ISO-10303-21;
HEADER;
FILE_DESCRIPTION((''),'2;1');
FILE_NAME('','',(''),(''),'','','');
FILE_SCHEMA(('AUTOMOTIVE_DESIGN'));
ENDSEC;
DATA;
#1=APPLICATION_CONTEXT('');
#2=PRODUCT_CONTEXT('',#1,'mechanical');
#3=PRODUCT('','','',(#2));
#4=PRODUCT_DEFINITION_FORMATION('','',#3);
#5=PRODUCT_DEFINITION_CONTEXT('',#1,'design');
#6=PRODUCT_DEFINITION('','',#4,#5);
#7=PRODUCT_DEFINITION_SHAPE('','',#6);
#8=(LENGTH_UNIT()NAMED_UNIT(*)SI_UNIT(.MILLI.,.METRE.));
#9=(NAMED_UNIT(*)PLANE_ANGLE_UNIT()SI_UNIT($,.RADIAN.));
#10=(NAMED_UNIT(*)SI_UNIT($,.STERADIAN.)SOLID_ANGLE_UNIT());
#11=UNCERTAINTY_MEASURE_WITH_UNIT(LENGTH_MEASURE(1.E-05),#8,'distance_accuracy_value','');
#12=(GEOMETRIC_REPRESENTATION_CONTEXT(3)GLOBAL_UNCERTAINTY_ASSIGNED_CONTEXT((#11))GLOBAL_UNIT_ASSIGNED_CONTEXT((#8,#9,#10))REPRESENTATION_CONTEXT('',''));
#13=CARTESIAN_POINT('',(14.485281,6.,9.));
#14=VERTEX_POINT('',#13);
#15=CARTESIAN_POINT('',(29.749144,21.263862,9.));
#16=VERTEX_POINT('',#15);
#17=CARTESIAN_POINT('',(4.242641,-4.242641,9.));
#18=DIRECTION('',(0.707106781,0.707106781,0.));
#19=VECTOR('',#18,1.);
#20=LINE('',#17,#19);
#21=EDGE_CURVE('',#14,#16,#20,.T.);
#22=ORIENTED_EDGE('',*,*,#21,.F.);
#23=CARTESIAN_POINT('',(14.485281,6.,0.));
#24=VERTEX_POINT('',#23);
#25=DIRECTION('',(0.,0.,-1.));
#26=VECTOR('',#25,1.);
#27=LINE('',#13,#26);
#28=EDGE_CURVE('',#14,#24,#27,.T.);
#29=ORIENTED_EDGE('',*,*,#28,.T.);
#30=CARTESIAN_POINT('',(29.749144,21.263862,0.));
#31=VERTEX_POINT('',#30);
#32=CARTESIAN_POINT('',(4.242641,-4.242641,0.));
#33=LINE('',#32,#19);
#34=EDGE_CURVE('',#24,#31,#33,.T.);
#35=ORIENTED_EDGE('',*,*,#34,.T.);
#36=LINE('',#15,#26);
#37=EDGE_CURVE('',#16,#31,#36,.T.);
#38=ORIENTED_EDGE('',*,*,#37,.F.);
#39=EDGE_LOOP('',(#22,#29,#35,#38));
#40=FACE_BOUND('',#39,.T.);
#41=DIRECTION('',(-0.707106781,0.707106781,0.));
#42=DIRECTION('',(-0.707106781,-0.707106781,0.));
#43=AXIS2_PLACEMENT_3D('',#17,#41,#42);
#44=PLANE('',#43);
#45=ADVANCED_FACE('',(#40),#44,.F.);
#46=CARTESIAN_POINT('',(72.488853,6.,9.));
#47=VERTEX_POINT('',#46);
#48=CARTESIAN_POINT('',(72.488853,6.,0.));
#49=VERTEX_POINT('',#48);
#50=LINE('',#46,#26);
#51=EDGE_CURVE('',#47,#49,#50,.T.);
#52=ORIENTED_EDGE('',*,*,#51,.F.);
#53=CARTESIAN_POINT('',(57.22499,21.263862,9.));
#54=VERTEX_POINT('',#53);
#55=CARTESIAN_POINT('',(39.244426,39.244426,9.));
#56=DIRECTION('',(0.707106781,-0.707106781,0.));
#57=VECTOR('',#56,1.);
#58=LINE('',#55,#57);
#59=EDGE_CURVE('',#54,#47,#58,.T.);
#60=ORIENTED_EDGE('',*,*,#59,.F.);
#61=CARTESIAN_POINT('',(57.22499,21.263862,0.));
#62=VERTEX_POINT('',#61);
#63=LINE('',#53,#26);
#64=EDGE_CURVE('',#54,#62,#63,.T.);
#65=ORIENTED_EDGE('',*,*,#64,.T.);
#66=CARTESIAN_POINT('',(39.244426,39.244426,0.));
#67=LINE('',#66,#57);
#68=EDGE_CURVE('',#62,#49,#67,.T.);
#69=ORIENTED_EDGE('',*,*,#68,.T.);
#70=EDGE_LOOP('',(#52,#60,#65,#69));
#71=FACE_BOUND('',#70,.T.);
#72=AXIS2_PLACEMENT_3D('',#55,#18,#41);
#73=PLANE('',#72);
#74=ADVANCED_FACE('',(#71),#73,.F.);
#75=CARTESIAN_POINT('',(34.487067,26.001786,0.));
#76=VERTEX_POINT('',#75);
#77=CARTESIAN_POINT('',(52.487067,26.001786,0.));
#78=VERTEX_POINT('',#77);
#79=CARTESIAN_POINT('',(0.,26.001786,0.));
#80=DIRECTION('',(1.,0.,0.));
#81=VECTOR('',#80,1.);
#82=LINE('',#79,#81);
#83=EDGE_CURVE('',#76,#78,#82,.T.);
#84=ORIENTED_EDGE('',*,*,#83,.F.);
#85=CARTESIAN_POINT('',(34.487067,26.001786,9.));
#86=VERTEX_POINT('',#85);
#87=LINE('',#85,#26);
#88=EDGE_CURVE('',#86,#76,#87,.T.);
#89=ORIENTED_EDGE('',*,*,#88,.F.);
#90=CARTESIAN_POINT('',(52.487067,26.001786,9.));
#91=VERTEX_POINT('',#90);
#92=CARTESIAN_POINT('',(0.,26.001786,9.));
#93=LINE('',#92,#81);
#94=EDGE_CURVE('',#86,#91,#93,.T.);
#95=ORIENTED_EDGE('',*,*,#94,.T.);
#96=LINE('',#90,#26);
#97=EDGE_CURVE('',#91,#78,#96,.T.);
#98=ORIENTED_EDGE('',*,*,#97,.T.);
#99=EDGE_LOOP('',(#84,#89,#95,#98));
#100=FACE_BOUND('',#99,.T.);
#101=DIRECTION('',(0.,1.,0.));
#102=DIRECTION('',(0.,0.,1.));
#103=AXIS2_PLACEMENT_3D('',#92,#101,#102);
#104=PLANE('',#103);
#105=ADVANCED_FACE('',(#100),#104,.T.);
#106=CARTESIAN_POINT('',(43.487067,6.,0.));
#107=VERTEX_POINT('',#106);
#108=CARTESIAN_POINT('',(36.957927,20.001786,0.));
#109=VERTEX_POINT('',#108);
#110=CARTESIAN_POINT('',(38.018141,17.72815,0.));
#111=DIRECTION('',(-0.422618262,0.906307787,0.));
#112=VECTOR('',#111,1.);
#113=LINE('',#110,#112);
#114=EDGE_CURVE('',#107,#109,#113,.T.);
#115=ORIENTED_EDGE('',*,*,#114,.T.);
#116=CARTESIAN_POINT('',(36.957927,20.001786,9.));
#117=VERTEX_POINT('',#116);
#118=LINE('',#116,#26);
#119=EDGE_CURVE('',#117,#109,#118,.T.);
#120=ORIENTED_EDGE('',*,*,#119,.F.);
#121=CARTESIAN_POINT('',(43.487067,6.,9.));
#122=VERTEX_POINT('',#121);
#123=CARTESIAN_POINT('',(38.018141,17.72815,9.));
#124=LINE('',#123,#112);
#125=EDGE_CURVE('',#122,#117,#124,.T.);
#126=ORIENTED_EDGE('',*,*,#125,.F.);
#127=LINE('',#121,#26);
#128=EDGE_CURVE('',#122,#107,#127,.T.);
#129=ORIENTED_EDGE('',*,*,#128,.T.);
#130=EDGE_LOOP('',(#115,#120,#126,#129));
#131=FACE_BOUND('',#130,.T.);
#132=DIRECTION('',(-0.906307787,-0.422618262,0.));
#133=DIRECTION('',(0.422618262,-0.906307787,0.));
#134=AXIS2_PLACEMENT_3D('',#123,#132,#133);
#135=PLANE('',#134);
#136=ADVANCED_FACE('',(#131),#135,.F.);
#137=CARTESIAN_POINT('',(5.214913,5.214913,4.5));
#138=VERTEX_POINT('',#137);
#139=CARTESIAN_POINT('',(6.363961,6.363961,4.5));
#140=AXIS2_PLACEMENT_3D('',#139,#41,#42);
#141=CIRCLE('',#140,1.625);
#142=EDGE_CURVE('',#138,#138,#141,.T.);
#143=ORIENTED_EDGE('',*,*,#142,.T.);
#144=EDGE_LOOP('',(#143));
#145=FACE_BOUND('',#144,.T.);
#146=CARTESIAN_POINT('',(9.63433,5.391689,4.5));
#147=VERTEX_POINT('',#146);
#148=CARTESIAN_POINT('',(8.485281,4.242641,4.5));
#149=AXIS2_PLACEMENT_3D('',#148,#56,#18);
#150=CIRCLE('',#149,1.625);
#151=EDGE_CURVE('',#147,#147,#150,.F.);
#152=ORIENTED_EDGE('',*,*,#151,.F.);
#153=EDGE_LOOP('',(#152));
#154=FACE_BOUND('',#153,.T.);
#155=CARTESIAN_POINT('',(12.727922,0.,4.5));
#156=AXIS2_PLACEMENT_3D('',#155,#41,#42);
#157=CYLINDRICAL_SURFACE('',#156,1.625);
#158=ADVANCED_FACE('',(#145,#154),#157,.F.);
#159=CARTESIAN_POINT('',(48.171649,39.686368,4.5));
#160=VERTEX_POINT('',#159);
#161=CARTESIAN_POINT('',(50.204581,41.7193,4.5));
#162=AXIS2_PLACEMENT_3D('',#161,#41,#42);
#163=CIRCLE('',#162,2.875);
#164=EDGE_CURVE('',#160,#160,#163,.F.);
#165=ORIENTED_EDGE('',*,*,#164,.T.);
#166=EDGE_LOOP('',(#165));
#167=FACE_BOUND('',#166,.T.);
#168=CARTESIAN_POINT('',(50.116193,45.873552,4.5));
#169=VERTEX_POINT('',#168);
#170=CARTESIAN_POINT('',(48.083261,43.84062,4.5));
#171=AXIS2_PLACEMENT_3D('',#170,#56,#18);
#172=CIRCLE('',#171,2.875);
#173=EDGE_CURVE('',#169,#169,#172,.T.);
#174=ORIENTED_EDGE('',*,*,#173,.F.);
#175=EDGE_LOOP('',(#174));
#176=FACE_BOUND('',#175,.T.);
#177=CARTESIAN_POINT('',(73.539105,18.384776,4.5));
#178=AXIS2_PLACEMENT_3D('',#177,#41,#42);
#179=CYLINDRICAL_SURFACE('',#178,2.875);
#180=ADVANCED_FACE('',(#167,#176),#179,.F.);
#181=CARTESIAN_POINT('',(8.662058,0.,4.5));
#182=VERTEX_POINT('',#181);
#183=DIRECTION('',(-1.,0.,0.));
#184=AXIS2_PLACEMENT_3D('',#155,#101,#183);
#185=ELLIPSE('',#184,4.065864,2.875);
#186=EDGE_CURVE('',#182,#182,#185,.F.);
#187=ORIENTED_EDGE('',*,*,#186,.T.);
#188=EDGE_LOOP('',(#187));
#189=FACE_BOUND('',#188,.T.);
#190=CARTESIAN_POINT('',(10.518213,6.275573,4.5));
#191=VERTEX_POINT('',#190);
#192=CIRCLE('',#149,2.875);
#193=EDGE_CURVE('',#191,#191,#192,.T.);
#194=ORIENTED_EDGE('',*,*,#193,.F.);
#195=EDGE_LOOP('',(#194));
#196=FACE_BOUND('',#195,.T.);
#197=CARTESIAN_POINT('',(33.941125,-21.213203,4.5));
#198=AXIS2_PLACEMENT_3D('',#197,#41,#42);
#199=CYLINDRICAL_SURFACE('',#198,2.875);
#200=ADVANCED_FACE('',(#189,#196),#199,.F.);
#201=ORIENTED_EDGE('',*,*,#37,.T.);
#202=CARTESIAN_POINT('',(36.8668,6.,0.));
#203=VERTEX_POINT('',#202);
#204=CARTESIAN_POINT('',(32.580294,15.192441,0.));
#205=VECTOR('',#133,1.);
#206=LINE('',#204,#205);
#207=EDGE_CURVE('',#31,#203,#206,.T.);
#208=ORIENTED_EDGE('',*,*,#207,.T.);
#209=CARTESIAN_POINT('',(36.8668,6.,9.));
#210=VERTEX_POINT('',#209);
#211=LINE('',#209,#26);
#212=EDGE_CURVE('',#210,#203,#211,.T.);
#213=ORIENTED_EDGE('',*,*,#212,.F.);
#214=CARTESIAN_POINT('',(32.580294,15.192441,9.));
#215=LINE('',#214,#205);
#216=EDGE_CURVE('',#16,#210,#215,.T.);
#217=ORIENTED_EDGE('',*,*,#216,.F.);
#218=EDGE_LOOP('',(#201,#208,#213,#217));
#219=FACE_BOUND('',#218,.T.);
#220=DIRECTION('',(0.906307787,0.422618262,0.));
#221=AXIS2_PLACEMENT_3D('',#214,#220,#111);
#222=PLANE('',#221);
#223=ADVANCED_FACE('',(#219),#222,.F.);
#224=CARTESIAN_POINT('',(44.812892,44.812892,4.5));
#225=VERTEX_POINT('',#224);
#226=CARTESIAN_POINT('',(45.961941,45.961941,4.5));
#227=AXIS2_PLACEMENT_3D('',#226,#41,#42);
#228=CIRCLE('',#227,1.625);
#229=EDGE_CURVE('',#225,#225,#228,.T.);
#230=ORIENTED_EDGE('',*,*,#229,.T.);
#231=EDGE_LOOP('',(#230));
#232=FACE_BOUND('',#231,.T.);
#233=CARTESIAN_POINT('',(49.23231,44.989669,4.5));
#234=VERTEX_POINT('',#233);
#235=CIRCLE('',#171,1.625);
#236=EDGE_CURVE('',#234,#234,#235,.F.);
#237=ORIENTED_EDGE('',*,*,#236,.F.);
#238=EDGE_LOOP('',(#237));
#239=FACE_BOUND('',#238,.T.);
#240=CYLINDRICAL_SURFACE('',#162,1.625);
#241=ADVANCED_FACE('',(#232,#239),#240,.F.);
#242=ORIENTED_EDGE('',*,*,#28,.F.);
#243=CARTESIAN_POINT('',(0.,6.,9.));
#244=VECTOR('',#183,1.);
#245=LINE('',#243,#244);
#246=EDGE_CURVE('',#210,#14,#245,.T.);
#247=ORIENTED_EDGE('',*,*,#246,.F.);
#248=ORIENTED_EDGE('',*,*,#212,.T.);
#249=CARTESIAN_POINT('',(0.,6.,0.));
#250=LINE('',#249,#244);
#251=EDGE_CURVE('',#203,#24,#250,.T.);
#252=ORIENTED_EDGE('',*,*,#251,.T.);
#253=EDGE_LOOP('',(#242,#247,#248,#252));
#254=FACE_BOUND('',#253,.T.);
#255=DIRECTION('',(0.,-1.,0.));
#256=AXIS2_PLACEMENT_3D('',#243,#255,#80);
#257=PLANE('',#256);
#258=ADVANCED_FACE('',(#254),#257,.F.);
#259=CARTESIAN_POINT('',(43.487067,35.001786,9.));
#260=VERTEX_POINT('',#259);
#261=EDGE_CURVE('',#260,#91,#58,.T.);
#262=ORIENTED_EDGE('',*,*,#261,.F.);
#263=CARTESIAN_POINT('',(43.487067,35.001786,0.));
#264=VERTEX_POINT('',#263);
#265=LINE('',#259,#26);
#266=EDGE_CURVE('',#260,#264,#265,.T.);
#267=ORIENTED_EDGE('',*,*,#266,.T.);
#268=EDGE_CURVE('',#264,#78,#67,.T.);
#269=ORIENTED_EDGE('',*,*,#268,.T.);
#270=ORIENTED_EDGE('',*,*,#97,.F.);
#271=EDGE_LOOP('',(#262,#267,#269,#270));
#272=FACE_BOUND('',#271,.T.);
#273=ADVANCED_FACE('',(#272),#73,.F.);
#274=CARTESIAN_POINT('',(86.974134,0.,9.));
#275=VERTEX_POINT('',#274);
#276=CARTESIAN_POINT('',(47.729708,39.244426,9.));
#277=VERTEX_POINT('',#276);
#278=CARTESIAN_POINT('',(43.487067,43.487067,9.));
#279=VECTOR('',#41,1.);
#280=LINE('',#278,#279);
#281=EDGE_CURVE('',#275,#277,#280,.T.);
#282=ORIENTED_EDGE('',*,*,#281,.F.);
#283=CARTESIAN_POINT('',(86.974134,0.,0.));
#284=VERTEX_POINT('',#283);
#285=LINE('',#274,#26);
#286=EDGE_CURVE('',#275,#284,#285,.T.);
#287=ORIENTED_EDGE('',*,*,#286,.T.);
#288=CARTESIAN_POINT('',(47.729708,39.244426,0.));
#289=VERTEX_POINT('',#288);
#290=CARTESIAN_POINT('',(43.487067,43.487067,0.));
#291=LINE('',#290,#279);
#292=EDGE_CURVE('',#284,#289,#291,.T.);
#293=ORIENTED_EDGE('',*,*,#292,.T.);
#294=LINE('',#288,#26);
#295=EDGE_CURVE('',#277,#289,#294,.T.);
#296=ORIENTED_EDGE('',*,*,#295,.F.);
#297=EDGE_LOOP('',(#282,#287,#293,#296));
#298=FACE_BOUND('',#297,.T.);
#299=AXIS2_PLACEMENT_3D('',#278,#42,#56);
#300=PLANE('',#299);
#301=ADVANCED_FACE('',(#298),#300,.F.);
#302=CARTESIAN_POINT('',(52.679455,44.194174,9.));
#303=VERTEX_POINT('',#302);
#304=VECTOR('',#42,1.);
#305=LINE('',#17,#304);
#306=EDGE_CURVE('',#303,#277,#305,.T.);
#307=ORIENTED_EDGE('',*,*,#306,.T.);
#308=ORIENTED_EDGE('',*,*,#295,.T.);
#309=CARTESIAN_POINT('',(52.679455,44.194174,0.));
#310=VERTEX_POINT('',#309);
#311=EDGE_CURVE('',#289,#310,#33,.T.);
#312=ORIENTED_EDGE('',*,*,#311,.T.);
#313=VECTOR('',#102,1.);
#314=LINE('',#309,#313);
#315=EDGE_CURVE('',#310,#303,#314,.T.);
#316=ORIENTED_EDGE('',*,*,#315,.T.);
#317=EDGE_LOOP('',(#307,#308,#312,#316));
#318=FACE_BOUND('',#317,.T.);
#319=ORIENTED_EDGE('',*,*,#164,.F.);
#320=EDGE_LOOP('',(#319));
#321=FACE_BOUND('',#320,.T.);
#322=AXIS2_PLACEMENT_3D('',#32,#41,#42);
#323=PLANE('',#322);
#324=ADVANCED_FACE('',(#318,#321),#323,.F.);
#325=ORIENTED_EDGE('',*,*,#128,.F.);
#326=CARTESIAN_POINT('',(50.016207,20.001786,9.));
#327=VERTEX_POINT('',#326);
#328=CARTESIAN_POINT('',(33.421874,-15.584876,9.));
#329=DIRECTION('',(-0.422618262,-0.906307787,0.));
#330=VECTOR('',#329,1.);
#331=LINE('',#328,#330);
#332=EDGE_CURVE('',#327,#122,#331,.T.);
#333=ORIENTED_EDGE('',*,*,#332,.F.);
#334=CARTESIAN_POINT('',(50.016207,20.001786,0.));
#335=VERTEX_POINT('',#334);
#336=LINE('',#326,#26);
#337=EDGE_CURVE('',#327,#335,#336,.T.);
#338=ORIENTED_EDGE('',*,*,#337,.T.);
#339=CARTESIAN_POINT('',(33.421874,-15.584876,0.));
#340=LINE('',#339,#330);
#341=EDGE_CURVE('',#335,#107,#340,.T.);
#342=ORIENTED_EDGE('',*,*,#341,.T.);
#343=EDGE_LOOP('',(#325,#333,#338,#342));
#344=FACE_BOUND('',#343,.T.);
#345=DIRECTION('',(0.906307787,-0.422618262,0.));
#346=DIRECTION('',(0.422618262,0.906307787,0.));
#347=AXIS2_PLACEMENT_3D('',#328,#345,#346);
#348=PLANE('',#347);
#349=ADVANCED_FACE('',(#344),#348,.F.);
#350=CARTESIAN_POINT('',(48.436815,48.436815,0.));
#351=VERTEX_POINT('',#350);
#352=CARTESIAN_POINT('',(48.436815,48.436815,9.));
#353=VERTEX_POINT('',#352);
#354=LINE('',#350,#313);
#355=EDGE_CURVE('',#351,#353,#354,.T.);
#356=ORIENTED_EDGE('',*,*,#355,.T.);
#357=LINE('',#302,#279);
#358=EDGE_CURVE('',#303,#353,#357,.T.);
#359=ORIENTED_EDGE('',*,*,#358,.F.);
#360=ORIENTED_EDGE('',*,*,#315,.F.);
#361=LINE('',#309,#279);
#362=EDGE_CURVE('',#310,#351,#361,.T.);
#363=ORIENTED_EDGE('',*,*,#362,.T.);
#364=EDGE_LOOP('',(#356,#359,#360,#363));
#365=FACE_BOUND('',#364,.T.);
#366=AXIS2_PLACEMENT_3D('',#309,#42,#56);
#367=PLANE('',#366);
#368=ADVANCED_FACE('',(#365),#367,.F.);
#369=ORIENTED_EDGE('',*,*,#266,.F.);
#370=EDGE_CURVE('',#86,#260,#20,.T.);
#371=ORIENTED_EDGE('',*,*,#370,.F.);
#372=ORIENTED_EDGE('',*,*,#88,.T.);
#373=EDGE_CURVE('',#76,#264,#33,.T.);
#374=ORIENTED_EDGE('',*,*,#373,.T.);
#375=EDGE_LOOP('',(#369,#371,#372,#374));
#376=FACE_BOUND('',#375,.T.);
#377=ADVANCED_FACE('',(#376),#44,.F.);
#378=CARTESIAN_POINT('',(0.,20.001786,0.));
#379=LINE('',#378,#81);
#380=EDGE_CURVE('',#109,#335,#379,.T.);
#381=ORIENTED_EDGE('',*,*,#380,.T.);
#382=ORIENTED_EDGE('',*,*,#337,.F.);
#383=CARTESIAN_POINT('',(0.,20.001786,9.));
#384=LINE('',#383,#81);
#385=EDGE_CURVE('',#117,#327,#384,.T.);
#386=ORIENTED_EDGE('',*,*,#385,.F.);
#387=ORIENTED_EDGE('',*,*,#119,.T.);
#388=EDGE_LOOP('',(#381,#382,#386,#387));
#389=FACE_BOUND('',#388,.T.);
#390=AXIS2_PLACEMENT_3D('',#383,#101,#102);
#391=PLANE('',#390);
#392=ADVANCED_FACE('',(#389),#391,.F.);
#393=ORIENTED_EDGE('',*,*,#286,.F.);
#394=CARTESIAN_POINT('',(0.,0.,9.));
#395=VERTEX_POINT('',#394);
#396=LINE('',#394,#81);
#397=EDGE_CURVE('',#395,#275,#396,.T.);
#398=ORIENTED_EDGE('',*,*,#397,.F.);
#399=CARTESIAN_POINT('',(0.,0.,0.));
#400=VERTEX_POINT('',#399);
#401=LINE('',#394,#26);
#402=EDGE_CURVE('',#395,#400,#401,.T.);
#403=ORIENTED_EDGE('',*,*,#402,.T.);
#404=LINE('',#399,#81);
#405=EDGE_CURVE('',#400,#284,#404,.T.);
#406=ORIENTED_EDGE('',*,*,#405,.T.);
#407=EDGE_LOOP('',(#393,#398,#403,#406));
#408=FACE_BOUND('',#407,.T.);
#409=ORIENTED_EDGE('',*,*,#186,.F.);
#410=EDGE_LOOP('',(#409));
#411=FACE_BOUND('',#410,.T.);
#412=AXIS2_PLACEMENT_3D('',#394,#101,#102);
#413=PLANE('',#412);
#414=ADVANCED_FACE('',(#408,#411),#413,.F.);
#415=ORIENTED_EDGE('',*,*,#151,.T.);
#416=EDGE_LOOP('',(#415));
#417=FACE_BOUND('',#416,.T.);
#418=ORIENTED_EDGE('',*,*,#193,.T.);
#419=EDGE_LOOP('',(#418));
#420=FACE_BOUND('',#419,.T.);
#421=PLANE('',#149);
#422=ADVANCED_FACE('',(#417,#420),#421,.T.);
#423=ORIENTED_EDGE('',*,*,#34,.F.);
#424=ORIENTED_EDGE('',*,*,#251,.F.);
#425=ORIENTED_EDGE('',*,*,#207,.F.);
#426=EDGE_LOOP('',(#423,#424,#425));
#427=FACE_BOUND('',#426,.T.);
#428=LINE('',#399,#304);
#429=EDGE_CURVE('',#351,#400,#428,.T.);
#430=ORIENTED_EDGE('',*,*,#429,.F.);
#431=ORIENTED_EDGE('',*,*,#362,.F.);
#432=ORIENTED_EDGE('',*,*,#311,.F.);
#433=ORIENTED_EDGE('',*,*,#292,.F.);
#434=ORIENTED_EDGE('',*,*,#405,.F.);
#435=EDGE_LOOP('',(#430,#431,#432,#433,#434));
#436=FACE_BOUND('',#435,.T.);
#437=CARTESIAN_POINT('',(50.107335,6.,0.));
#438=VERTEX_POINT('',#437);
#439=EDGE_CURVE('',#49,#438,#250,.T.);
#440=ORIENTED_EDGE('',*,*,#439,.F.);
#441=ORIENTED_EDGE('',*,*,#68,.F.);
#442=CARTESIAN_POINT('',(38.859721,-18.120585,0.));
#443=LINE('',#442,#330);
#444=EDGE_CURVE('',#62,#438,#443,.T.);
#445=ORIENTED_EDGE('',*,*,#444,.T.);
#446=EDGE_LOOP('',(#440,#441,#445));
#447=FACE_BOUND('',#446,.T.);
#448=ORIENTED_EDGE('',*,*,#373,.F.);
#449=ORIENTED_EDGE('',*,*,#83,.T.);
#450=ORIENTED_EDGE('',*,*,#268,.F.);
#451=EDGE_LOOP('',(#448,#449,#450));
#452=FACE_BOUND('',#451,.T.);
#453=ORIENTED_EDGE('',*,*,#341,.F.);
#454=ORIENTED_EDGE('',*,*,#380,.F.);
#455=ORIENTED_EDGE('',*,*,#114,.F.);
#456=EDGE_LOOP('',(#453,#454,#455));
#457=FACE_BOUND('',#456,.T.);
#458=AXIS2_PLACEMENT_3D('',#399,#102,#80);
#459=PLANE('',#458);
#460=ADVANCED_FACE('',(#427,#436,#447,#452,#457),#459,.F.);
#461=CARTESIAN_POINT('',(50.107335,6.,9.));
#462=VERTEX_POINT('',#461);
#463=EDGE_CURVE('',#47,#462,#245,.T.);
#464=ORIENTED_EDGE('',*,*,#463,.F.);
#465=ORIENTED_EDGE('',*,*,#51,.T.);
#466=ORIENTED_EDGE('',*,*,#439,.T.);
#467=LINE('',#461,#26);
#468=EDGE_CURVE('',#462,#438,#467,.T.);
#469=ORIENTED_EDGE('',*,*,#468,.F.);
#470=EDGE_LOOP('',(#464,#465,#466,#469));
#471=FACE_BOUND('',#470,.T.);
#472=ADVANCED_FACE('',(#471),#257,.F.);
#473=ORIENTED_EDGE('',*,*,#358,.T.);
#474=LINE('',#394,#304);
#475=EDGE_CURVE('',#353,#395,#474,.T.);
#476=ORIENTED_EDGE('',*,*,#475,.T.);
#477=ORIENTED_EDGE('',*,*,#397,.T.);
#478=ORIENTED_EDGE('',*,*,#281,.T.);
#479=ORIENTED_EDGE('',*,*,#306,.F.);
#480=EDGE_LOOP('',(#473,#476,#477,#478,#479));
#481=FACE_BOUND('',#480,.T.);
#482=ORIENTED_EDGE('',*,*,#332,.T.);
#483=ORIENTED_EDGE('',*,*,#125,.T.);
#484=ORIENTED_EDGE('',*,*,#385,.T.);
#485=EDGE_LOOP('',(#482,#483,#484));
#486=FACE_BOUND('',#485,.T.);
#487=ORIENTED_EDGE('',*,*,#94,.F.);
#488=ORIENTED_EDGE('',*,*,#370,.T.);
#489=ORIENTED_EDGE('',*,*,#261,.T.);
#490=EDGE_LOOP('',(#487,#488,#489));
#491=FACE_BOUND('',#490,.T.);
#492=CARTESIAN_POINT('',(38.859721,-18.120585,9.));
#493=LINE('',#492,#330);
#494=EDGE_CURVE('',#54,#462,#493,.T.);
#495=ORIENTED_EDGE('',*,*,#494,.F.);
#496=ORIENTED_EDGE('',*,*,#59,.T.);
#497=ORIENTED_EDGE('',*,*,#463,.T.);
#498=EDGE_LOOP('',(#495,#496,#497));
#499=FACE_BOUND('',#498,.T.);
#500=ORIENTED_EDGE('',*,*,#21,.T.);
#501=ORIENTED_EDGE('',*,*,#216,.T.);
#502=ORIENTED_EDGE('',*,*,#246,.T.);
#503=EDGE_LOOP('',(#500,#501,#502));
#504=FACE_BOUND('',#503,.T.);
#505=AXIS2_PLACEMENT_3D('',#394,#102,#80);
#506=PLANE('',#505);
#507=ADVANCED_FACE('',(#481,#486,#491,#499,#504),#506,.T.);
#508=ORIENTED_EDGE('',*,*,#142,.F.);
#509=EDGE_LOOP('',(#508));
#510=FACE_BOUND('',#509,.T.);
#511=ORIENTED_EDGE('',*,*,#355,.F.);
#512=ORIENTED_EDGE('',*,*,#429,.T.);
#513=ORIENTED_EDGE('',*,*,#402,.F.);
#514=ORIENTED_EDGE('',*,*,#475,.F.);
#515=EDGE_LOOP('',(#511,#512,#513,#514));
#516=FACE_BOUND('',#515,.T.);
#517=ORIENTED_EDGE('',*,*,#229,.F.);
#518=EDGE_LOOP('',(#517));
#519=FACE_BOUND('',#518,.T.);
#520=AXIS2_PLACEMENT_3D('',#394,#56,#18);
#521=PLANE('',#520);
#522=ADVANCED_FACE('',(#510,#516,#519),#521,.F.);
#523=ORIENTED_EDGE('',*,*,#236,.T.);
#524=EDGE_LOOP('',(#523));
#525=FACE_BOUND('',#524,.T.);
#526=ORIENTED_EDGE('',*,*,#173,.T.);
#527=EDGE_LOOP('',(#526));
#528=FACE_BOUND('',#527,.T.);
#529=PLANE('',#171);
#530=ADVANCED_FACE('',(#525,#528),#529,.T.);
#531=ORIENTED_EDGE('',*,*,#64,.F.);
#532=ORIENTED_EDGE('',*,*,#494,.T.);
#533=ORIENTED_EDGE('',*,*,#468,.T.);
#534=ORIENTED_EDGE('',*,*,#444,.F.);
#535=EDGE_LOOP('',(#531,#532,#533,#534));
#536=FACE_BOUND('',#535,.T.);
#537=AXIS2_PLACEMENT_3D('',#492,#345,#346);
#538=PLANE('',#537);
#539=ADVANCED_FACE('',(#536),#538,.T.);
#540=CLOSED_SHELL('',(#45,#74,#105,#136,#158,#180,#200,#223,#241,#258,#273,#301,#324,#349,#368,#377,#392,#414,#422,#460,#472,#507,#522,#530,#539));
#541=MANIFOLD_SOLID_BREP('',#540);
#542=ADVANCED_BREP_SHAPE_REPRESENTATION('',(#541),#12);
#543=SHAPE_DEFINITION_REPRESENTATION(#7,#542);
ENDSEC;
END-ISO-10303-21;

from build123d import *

# Parameters (mm, degrees)
BOSS_EXTRUDE1_DEPTH     = 9
SKETCH2_R               = 1.625
CUT_EXTRUDE3_DEPTH      = 9
SKETCH8_W               = 9
SKETCH8_H               = 7
SKETCH8_R               = 1.625
BOSS_EXTRUDE2_DEPTH     = 6
CUT_EXTRUDE4_DEPTH      = 33
CUT_EXTRUDE4_DEPTH_BACK = 3
SKETCH9_R               = 2.875


with BuildPart() as part:
    # Sketch1 → Boss-Extrude1 (new body)
    # profile 1 of 3: a face of its own
    with BuildSketch(Plane.XY):
        Polygon((86.974134086, 0), (43.487067043, 43.487067043), (0, 0), align=None)
        Polygon((43.487067043, 35.001785669), (72.488852712, 6), (14.485281374, 6), align=None, mode=Mode.SUBTRACT)
    # profile 2 of 3: a face of its own
    with BuildSketch(Plane.XY):
        Polygon((34.487067043, 26.001785669), (29.749143655, 21.263862281), (36.866799529, 6), (43.487067043, 6), (36.957927158, 20.001785669), (43.487067043, 20.001785669), (43.487067043, 26.001785669), align=None)
    # profile 3 of 3: a face of its own
    with BuildSketch(Plane.XY):
        Polygon((50.016206928, 20.001785669), (43.487067043, 6), (50.107334557, 6), (57.224990431, 21.263862281), (52.487067043, 26.001785669), (43.487067043, 26.001785669), (43.487067043, 20.001785669), align=None)
    extrude(amount=BOSS_EXTRUDE1_DEPTH)

    # Sketch2 → Cut-Extrude3 (cut)
    with BuildSketch(Plane(origin=(0, 0, 0), x_dir=(0, 0, 1), z_dir=(-0.7071067811865438, 0.7071067811865513, 0))):
        with Locations(Location((4.5, 9, 0), (0, 0, 270))):
            Circle(SKETCH2_R)
    extrude(amount=-CUT_EXTRUDE3_DEPTH, mode=Mode.SUBTRACT)

    # Sketch8 → Boss-Extrude2 (add)
    with BuildSketch(Plane(origin=(0, 0, 0), x_dir=(0, 0, 1), z_dir=(-0.7071067811865438, 0.7071067811865513, 0))):
        with Locations((4.5, 65)):
            Rectangle(SKETCH8_W, SKETCH8_H)
        with Locations(Location((4.5, 65, 0), (0, 0, 270))):
            Circle(SKETCH8_R, mode=Mode.SUBTRACT)
    extrude(amount=-BOSS_EXTRUDE2_DEPTH)

    # Sketch9 → Cut-Extrude4 (cut, two sides: drawn at the far end of the back side and taken through both)
    with BuildSketch(Plane(origin=(4.242640687, -4.242640687, 0), x_dir=(0, 0, -1), z_dir=(0.7071067811865438, -0.7071067811865512, 0)).offset(-CUT_EXTRUDE4_DEPTH_BACK)):
        with Locations(Location((-4.5, 65, 0), (0, 0, 270))):
            Circle(SKETCH9_R)
        with Locations(Location((-4.5, 9, 0), (0, 0, 270))):
            Circle(SKETCH9_R)
    extrude(amount=CUT_EXTRUDE4_DEPTH + CUT_EXTRUDE4_DEPTH_BACK, mode=Mode.SUBTRACT)


solid = part.part
